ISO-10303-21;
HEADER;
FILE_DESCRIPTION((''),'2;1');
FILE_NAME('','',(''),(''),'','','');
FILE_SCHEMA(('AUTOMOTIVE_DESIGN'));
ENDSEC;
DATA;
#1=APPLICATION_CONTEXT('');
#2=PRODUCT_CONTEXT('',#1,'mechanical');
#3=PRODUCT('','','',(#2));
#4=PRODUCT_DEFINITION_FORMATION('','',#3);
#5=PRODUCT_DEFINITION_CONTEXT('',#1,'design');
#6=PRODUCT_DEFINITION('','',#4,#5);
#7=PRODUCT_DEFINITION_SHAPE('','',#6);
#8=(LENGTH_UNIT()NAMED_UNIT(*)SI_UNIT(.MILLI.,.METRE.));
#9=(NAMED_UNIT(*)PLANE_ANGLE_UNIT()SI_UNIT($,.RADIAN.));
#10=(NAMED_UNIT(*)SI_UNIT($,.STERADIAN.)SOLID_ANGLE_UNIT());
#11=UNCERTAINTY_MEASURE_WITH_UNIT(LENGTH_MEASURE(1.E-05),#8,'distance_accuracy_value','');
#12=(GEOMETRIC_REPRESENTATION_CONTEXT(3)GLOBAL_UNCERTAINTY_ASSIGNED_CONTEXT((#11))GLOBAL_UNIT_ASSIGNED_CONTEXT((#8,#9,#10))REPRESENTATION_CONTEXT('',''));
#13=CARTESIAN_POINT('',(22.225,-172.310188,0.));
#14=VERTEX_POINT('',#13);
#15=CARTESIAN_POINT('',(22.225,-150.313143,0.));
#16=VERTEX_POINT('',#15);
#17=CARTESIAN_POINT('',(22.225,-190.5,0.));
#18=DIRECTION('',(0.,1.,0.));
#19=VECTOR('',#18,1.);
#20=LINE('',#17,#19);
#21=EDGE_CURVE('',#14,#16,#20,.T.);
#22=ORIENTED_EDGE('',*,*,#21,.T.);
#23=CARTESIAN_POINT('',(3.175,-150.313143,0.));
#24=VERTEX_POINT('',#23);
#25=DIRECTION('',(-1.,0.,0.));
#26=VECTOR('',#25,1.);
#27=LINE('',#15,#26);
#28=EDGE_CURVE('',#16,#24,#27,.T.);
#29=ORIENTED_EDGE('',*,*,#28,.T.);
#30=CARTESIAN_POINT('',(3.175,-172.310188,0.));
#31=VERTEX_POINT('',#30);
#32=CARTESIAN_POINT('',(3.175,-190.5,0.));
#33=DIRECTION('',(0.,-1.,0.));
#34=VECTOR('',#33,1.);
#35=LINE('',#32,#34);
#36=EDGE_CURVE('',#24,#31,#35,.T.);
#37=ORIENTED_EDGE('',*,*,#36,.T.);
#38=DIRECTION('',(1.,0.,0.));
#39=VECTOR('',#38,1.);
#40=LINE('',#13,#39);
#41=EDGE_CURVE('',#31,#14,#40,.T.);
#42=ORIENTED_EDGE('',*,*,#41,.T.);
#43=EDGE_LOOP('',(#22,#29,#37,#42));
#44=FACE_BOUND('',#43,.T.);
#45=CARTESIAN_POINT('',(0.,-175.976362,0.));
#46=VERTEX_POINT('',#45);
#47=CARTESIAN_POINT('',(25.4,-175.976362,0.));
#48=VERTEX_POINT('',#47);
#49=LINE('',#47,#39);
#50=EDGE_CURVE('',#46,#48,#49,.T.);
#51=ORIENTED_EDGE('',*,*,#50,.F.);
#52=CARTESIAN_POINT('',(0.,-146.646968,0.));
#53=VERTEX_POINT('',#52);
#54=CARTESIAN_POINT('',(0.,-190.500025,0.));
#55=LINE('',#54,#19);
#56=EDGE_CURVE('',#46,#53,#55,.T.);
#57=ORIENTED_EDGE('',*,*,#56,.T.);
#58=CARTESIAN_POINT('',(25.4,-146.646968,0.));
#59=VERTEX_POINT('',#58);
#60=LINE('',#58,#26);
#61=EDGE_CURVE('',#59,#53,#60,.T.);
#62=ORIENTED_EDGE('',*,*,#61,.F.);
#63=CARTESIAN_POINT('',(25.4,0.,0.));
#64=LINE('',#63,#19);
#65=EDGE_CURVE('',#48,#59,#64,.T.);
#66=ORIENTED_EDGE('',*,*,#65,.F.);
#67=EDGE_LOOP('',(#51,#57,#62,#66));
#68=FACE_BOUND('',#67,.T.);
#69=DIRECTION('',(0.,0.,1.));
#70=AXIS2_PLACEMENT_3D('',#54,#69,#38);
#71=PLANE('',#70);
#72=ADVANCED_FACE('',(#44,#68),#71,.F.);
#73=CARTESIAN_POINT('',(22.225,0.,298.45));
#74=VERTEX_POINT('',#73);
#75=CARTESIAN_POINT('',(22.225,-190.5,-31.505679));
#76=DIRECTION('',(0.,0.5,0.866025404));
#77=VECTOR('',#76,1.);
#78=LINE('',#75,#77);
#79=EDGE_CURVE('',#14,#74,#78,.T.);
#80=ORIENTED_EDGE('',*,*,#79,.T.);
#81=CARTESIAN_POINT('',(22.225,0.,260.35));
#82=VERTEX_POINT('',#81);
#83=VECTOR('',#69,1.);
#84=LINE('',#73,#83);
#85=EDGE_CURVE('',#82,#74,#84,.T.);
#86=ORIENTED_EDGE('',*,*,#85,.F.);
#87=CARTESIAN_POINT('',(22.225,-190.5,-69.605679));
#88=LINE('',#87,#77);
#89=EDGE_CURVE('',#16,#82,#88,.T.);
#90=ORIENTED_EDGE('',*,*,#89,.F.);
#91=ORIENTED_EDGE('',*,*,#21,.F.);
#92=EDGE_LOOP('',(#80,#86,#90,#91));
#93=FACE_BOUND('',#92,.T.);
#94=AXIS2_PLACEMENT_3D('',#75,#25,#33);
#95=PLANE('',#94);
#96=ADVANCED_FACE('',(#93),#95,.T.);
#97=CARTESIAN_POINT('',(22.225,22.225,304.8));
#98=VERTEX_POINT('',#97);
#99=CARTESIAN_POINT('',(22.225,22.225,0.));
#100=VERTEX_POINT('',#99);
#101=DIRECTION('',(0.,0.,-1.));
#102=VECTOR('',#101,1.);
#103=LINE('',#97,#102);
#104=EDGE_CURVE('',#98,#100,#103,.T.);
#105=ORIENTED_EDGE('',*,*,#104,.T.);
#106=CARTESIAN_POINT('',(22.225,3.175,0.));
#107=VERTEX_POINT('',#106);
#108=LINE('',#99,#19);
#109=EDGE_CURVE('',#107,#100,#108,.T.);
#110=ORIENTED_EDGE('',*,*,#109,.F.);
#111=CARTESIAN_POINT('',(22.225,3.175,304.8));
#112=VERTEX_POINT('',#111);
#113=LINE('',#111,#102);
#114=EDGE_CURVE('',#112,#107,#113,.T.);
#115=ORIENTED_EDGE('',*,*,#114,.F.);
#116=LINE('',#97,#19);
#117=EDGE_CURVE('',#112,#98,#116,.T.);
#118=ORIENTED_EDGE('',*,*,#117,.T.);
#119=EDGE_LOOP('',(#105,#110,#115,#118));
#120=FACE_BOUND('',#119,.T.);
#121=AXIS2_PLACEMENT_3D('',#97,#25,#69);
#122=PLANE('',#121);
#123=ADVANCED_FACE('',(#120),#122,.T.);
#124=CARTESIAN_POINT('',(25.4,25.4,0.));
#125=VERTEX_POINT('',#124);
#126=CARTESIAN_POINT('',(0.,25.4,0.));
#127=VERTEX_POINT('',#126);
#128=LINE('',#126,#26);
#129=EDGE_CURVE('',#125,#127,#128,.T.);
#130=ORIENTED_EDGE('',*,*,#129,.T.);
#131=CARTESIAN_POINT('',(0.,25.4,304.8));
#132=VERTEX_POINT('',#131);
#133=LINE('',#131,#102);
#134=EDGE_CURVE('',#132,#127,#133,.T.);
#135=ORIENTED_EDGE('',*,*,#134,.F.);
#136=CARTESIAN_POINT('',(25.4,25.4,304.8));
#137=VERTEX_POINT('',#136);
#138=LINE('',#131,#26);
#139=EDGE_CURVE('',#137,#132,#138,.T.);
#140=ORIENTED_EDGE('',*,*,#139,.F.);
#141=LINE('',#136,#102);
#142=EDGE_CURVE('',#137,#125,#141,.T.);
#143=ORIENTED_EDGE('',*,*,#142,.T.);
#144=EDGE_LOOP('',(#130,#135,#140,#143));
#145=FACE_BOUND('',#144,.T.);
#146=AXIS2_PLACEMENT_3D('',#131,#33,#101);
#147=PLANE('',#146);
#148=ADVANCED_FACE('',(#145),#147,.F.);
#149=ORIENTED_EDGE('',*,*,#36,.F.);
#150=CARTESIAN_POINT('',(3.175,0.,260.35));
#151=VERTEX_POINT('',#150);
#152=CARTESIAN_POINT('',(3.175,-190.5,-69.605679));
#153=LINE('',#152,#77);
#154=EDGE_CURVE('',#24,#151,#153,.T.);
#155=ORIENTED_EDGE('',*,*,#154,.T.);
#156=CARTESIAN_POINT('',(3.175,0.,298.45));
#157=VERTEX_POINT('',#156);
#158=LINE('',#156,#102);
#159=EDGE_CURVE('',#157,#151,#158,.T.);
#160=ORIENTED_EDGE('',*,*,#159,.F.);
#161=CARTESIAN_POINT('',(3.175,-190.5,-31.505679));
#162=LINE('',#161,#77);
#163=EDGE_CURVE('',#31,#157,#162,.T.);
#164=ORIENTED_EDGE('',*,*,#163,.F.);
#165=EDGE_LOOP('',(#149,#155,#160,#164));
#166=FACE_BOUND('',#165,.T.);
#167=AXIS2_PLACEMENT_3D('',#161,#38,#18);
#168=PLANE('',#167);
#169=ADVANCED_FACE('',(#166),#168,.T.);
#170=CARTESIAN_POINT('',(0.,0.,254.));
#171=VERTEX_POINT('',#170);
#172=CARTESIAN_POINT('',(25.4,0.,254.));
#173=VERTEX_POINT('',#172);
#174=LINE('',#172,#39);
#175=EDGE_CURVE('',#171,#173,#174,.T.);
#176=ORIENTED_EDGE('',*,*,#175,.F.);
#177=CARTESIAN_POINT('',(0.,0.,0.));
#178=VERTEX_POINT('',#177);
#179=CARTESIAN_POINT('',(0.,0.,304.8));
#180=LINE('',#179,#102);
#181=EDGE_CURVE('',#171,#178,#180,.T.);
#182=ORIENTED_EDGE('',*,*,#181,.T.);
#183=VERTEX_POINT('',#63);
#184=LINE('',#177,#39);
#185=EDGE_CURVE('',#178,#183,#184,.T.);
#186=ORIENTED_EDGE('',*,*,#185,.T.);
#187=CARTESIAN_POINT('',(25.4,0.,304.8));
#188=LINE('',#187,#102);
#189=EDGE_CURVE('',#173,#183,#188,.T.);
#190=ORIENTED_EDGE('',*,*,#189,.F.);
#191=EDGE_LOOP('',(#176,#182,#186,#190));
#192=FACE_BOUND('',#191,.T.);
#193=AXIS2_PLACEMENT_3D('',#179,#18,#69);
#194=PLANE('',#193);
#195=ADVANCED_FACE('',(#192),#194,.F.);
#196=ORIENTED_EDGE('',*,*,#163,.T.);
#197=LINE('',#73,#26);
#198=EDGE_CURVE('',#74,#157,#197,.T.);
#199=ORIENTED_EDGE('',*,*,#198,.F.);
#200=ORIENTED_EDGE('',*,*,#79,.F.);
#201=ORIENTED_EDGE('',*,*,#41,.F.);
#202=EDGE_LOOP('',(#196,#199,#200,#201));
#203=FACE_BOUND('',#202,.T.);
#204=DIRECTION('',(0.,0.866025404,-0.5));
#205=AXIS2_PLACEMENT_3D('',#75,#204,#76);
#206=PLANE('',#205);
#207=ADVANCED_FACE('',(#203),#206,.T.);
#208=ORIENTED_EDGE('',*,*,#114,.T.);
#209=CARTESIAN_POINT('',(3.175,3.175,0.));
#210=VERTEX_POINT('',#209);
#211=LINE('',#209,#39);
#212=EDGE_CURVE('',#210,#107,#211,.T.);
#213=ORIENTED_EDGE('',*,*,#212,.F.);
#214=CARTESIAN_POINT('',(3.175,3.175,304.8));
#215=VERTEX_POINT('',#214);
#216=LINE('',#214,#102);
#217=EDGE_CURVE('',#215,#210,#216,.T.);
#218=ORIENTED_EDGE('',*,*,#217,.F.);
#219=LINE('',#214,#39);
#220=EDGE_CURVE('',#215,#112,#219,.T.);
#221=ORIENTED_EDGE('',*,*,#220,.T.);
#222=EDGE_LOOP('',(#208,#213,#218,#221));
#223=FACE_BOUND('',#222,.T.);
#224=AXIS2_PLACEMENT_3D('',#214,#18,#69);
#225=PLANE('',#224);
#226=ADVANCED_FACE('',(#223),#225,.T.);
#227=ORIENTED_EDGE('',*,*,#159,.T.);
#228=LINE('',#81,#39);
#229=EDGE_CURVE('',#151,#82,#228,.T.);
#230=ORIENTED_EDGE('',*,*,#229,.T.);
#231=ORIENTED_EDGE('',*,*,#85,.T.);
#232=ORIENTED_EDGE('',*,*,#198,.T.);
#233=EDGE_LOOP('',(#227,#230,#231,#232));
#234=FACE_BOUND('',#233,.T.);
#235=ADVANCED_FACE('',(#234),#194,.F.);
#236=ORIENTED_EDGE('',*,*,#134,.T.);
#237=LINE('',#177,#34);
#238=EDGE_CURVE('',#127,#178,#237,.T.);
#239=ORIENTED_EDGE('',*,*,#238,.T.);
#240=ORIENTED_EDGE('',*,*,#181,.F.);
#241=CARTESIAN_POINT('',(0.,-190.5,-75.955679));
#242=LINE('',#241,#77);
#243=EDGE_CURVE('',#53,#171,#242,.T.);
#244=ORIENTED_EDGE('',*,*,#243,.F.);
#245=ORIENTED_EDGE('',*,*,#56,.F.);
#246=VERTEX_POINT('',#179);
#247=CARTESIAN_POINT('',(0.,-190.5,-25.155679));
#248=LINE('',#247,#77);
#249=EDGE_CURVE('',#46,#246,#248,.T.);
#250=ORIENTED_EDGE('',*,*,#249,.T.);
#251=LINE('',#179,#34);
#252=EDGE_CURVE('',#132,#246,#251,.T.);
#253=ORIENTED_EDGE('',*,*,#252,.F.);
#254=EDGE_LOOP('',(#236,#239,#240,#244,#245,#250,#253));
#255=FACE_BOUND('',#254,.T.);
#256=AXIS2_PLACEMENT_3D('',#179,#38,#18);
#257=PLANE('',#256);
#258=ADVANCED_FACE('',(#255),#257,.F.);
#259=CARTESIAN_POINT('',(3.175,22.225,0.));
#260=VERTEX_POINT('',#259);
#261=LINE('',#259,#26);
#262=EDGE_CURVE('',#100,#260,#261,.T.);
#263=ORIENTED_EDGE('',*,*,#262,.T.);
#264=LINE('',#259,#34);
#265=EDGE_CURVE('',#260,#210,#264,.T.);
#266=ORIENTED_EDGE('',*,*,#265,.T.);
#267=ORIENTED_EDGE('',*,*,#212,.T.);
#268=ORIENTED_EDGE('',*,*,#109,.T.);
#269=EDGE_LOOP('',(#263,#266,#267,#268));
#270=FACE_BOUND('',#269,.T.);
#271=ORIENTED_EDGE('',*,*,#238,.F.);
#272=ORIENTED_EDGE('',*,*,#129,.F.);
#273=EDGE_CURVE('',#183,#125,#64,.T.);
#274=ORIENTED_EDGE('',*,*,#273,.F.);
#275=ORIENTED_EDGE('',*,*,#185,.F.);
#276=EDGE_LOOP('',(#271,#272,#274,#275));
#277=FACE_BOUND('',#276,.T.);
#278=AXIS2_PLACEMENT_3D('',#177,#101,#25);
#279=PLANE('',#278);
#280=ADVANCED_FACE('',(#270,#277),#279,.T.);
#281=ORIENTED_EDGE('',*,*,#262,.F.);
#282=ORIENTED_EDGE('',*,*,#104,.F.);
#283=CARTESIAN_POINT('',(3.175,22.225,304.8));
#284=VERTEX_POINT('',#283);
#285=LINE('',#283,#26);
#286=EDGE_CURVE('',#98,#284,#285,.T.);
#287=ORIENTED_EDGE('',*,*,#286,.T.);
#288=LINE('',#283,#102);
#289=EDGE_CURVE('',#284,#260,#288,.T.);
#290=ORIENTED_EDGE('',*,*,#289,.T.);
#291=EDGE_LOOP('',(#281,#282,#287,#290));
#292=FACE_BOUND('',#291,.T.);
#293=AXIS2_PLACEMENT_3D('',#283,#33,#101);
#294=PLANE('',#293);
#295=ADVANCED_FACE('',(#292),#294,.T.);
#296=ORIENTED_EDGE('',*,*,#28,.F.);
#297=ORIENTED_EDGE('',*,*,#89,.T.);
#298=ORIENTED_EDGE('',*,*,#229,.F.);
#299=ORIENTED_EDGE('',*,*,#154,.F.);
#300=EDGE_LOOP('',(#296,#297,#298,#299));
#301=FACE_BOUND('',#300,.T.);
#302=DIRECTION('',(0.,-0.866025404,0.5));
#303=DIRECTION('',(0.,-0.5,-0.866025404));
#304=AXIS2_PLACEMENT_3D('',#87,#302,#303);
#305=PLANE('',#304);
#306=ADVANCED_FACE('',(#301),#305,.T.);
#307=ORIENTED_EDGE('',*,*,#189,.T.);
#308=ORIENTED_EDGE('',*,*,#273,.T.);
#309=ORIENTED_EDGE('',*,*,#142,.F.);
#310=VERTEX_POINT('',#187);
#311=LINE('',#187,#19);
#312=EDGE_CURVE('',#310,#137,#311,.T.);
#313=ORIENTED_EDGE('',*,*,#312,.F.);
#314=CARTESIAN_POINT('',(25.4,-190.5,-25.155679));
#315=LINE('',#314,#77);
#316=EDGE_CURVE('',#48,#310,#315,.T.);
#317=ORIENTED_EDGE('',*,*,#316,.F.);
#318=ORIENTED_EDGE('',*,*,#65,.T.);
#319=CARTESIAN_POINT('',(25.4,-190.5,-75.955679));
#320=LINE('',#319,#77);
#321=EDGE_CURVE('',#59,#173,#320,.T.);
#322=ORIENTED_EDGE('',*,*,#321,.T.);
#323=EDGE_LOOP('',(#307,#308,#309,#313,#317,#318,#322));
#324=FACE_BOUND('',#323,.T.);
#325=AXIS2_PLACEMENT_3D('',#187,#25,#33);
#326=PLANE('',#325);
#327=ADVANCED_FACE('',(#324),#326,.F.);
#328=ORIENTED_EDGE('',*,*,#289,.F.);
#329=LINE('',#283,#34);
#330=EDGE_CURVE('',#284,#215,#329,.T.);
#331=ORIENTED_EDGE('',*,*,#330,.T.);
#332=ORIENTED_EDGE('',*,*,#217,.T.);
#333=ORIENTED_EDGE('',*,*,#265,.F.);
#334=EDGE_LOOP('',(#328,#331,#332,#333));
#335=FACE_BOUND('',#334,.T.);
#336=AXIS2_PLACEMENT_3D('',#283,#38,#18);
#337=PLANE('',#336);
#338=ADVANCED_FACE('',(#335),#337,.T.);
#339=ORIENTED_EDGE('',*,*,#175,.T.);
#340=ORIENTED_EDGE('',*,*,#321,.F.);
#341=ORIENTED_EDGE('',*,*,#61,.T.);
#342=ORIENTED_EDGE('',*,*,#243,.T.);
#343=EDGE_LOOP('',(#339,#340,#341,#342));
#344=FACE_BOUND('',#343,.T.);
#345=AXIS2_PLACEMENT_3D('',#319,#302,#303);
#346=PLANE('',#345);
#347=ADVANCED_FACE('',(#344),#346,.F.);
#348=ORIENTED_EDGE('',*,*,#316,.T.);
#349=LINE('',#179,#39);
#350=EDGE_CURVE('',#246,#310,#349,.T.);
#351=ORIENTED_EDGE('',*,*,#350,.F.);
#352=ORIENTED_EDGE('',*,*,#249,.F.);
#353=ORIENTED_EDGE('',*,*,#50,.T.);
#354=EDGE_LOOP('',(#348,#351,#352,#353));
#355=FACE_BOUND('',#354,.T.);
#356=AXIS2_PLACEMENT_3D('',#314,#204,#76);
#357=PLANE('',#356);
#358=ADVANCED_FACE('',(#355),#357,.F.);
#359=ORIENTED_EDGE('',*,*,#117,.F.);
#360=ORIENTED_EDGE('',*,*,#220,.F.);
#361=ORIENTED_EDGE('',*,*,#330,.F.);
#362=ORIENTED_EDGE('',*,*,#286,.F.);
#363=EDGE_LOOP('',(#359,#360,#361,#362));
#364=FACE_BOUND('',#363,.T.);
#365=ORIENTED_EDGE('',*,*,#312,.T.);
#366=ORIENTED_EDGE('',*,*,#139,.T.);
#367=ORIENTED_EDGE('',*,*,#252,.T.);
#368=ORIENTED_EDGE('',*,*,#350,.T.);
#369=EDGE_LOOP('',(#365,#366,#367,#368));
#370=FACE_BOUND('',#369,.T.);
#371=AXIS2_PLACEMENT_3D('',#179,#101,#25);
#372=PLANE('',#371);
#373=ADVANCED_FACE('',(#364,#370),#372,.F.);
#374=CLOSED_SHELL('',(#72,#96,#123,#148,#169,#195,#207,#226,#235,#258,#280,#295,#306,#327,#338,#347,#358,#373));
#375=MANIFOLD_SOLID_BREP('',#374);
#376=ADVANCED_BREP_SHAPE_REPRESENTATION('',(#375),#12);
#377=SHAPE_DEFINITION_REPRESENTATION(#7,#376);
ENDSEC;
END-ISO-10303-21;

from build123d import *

# Parameters (mm, degrees)
SKETCH1_W           = 25.4
SKETCH1_H           = 25.4
SKETCH1_W_2         = 19.05
SKETCH1_H_2         = 19.05
BOSS_EXTRUDE1_DEPTH = 304.8
SKETCH2_W           = 25.4
SKETCH2_H           = 50.8
SKETCH2_W_2         = 19.05
SKETCH2_H_2         = 38.1
SKETCH4_W           = 26.690109794
SKETCH4_H           = 109.792846898
CUT_EXTRUDE1_DEPTH  = 375.380835514


with BuildPart() as part:
    # Sketch1 → Boss-Extrude1 (new body)
    with BuildSketch(Plane.XY):
        with Locations((12.7, 12.7)):
            Rectangle(SKETCH1_W, SKETCH1_H)
        with Locations((12.7, 12.7)):
            Rectangle(SKETCH1_W_2, SKETCH1_H_2, mode=Mode.SUBTRACT)
    extrude(amount=BOSS_EXTRUDE1_DEPTH)

    # Sweep1: sweep along a path in Sketch3
    with BuildLine(Plane(origin=(25.4, 0, 0), x_dir=(0, 0, -1), z_dir=(1, 0, 0))) as sweep1_path:
        Line((-279.4, 0), (50.555678842, -190.5))
    # Sketch2 → Sweep1 (sweep)
    with BuildSketch(Plane.XZ):
        with Locations((12.7, 279.4)):
            Rectangle(SKETCH2_W, SKETCH2_H)
        with Locations((12.7, 279.4)):
            Rectangle(SKETCH2_W_2, SKETCH2_H_2, mode=Mode.SUBTRACT)
    sweep(path=sweep1_path.line)

    # Sketch4 → Cut-Extrude1 (cut, through all)
    with BuildSketch(Plane(origin=(0, 25.4, 0), x_dir=(1, 0, 0), z_dir=(0, 1, 0))):
        with Locations((13.345054897, 54.896423449)):
            Rectangle(SKETCH4_W, SKETCH4_H)
    extrude(amount=-CUT_EXTRUDE1_DEPTH, mode=Mode.SUBTRACT)


solid = part.part
